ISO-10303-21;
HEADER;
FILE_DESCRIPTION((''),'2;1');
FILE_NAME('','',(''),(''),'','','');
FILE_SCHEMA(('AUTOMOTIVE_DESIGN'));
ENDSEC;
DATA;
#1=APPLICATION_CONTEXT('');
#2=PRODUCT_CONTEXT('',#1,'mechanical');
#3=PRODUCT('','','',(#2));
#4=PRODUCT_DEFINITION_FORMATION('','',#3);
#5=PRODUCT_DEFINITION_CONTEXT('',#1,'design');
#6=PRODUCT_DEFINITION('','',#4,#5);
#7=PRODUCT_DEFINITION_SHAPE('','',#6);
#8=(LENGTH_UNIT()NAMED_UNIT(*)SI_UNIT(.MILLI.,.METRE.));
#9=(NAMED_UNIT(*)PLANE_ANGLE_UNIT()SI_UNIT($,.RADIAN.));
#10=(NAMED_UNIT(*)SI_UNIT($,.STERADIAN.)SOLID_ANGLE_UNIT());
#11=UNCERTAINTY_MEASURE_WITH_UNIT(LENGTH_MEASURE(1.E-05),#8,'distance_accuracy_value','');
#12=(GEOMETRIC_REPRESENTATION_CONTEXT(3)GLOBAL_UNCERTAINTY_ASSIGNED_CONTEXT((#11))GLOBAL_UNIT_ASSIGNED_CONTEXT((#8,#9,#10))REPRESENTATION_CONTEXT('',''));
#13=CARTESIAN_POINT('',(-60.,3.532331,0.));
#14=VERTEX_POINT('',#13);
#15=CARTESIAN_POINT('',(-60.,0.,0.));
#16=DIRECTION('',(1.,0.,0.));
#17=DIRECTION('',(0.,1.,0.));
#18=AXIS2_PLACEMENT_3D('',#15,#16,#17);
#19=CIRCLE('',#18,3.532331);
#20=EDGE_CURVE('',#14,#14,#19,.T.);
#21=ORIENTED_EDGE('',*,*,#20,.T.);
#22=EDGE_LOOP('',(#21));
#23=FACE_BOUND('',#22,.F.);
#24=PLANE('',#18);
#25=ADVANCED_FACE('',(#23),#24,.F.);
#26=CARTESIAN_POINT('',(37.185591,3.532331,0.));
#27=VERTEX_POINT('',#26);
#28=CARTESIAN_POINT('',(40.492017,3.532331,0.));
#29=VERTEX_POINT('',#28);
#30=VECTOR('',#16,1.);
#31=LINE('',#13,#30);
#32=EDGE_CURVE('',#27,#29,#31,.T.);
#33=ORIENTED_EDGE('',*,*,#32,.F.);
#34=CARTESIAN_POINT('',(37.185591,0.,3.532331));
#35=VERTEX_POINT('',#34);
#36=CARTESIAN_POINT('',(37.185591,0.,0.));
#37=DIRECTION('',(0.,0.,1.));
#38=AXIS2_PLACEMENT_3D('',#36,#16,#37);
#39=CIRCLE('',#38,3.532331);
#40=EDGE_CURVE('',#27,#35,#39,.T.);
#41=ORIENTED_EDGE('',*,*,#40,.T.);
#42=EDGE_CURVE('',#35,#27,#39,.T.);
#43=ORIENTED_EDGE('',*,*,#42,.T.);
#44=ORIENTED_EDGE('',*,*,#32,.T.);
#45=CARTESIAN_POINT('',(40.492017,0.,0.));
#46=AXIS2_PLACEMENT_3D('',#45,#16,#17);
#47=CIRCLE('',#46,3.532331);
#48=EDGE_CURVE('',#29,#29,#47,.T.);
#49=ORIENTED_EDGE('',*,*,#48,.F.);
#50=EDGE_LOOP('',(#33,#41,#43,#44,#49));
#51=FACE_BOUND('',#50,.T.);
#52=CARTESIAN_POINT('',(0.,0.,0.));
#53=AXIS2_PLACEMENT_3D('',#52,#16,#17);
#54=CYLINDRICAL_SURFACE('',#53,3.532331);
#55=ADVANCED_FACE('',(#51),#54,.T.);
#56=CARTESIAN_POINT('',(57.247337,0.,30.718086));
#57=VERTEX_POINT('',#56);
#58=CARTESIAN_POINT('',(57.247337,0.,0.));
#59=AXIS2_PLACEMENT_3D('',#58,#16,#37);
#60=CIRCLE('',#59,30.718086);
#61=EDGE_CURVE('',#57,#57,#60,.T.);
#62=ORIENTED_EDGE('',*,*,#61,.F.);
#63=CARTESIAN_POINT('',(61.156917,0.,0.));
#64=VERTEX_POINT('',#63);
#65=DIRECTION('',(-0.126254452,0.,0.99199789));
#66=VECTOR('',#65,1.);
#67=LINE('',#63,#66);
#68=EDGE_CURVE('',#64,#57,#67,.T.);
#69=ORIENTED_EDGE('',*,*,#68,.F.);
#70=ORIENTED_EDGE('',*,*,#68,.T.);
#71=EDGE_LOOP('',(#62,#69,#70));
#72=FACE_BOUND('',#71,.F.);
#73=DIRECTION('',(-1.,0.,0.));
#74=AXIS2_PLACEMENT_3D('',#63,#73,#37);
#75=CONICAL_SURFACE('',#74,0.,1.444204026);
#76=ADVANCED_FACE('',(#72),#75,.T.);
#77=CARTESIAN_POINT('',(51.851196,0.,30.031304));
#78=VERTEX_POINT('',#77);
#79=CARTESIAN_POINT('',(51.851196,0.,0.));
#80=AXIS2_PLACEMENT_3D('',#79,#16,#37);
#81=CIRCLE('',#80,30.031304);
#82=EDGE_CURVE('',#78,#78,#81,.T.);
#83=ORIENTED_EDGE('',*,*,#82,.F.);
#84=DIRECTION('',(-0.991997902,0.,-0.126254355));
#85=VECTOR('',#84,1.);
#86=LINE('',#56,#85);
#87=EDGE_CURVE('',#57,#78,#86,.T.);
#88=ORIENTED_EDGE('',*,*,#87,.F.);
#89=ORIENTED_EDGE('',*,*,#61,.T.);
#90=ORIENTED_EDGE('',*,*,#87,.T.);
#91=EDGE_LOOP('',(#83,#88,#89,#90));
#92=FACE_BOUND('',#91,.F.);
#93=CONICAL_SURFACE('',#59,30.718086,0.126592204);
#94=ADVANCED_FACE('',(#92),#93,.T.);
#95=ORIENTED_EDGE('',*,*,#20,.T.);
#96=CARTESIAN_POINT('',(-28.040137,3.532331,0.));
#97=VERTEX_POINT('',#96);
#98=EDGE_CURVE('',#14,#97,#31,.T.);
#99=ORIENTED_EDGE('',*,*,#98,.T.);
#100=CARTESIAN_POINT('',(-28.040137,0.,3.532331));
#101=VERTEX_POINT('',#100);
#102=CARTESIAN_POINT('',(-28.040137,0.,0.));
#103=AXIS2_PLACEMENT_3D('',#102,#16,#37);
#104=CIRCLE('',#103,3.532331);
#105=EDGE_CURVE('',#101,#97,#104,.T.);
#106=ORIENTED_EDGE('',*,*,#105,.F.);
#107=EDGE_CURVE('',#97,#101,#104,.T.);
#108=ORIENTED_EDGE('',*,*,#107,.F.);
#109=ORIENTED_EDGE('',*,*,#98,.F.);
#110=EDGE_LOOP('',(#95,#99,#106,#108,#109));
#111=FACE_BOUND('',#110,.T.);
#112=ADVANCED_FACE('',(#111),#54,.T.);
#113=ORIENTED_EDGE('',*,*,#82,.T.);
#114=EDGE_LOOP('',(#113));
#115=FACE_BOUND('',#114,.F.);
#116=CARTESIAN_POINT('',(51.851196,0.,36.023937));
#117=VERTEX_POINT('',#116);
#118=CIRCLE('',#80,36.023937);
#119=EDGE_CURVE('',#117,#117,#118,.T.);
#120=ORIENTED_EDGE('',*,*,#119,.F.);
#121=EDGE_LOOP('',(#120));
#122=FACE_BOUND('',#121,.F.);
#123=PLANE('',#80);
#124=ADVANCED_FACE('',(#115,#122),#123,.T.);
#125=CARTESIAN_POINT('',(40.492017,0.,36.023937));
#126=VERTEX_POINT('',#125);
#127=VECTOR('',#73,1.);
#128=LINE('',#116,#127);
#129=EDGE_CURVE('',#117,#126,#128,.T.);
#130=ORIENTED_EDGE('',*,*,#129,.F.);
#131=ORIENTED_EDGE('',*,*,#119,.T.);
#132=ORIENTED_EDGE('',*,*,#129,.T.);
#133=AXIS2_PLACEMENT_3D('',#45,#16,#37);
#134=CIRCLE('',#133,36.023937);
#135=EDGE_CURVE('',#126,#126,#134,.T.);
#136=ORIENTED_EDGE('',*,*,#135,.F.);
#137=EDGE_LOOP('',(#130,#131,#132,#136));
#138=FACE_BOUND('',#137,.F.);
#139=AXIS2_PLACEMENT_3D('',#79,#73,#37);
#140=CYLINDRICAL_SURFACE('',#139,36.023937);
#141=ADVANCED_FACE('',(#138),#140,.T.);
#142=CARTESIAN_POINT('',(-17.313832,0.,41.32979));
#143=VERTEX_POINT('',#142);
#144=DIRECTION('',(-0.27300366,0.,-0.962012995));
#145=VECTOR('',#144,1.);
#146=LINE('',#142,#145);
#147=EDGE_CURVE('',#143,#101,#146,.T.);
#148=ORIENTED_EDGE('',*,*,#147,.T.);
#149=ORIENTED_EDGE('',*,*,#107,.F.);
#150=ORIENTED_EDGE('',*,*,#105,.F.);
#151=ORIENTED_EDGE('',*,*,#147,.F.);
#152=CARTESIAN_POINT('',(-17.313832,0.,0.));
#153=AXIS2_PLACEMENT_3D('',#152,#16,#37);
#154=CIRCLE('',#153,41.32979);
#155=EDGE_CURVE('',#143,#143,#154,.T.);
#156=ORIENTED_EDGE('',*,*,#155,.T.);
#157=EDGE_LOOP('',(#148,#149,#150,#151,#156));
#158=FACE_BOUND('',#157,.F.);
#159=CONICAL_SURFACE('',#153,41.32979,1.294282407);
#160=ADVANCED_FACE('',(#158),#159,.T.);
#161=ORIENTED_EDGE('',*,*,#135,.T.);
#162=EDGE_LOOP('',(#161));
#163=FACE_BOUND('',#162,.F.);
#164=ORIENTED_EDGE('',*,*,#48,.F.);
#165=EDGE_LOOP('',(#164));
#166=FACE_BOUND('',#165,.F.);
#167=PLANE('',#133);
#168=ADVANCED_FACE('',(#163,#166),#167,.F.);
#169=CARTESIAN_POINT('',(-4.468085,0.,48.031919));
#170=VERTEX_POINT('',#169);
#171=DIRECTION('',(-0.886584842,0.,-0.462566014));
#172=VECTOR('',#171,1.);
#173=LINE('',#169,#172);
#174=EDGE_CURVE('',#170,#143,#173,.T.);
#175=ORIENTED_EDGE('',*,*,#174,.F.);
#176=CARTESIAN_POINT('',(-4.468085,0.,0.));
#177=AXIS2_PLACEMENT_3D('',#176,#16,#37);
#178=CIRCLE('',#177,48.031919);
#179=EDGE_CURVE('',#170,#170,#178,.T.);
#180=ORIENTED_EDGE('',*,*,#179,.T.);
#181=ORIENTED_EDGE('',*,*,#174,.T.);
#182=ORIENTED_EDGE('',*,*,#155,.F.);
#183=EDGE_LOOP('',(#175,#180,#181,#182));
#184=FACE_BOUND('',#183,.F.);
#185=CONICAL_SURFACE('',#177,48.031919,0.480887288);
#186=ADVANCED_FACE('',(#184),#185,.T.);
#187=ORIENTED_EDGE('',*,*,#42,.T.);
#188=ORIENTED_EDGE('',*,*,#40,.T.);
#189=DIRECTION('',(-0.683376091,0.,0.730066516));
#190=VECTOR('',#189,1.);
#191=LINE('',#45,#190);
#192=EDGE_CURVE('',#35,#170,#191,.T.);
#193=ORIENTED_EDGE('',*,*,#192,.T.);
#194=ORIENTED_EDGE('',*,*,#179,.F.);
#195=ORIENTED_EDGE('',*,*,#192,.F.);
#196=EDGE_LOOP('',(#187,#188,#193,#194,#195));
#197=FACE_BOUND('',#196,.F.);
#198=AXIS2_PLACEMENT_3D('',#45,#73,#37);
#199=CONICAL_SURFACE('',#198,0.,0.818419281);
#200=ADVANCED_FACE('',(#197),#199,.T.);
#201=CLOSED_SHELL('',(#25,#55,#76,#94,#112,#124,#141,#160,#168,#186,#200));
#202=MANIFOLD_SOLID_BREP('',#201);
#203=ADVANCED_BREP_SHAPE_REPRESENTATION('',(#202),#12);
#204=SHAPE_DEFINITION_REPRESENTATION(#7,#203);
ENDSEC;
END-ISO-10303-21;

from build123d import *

# Parameters (mm, degrees)
F0_R     = 3.532331
F1_DEPTH = 60


with BuildPart() as f1:
    # F0 (on Right) → F1 (new body, symmetric)
    with BuildSketch(Plane.YZ):
        Circle(F0_R)
    extrude(amount=F1_DEPTH, both=True)

    # F2 (on Front) → F3 (revolve)
    with BuildSketch(Plane.XZ):
        Polygon((-17.313832, 41.32979), (-29.042555, 0), (40.492017, 0), (-4.468085, 48.031919), align=None)
        Polygon((40.492017, 36.023937), (40.492017, 0), (61.156917, 0), (57.247337, 30.718086), (51.851196, 30.031304), (51.851196, 36.023937), align=None)
    revolve(axis=Axis((0, 0, 0), (1, 0, 0)))


solid = f1.part
